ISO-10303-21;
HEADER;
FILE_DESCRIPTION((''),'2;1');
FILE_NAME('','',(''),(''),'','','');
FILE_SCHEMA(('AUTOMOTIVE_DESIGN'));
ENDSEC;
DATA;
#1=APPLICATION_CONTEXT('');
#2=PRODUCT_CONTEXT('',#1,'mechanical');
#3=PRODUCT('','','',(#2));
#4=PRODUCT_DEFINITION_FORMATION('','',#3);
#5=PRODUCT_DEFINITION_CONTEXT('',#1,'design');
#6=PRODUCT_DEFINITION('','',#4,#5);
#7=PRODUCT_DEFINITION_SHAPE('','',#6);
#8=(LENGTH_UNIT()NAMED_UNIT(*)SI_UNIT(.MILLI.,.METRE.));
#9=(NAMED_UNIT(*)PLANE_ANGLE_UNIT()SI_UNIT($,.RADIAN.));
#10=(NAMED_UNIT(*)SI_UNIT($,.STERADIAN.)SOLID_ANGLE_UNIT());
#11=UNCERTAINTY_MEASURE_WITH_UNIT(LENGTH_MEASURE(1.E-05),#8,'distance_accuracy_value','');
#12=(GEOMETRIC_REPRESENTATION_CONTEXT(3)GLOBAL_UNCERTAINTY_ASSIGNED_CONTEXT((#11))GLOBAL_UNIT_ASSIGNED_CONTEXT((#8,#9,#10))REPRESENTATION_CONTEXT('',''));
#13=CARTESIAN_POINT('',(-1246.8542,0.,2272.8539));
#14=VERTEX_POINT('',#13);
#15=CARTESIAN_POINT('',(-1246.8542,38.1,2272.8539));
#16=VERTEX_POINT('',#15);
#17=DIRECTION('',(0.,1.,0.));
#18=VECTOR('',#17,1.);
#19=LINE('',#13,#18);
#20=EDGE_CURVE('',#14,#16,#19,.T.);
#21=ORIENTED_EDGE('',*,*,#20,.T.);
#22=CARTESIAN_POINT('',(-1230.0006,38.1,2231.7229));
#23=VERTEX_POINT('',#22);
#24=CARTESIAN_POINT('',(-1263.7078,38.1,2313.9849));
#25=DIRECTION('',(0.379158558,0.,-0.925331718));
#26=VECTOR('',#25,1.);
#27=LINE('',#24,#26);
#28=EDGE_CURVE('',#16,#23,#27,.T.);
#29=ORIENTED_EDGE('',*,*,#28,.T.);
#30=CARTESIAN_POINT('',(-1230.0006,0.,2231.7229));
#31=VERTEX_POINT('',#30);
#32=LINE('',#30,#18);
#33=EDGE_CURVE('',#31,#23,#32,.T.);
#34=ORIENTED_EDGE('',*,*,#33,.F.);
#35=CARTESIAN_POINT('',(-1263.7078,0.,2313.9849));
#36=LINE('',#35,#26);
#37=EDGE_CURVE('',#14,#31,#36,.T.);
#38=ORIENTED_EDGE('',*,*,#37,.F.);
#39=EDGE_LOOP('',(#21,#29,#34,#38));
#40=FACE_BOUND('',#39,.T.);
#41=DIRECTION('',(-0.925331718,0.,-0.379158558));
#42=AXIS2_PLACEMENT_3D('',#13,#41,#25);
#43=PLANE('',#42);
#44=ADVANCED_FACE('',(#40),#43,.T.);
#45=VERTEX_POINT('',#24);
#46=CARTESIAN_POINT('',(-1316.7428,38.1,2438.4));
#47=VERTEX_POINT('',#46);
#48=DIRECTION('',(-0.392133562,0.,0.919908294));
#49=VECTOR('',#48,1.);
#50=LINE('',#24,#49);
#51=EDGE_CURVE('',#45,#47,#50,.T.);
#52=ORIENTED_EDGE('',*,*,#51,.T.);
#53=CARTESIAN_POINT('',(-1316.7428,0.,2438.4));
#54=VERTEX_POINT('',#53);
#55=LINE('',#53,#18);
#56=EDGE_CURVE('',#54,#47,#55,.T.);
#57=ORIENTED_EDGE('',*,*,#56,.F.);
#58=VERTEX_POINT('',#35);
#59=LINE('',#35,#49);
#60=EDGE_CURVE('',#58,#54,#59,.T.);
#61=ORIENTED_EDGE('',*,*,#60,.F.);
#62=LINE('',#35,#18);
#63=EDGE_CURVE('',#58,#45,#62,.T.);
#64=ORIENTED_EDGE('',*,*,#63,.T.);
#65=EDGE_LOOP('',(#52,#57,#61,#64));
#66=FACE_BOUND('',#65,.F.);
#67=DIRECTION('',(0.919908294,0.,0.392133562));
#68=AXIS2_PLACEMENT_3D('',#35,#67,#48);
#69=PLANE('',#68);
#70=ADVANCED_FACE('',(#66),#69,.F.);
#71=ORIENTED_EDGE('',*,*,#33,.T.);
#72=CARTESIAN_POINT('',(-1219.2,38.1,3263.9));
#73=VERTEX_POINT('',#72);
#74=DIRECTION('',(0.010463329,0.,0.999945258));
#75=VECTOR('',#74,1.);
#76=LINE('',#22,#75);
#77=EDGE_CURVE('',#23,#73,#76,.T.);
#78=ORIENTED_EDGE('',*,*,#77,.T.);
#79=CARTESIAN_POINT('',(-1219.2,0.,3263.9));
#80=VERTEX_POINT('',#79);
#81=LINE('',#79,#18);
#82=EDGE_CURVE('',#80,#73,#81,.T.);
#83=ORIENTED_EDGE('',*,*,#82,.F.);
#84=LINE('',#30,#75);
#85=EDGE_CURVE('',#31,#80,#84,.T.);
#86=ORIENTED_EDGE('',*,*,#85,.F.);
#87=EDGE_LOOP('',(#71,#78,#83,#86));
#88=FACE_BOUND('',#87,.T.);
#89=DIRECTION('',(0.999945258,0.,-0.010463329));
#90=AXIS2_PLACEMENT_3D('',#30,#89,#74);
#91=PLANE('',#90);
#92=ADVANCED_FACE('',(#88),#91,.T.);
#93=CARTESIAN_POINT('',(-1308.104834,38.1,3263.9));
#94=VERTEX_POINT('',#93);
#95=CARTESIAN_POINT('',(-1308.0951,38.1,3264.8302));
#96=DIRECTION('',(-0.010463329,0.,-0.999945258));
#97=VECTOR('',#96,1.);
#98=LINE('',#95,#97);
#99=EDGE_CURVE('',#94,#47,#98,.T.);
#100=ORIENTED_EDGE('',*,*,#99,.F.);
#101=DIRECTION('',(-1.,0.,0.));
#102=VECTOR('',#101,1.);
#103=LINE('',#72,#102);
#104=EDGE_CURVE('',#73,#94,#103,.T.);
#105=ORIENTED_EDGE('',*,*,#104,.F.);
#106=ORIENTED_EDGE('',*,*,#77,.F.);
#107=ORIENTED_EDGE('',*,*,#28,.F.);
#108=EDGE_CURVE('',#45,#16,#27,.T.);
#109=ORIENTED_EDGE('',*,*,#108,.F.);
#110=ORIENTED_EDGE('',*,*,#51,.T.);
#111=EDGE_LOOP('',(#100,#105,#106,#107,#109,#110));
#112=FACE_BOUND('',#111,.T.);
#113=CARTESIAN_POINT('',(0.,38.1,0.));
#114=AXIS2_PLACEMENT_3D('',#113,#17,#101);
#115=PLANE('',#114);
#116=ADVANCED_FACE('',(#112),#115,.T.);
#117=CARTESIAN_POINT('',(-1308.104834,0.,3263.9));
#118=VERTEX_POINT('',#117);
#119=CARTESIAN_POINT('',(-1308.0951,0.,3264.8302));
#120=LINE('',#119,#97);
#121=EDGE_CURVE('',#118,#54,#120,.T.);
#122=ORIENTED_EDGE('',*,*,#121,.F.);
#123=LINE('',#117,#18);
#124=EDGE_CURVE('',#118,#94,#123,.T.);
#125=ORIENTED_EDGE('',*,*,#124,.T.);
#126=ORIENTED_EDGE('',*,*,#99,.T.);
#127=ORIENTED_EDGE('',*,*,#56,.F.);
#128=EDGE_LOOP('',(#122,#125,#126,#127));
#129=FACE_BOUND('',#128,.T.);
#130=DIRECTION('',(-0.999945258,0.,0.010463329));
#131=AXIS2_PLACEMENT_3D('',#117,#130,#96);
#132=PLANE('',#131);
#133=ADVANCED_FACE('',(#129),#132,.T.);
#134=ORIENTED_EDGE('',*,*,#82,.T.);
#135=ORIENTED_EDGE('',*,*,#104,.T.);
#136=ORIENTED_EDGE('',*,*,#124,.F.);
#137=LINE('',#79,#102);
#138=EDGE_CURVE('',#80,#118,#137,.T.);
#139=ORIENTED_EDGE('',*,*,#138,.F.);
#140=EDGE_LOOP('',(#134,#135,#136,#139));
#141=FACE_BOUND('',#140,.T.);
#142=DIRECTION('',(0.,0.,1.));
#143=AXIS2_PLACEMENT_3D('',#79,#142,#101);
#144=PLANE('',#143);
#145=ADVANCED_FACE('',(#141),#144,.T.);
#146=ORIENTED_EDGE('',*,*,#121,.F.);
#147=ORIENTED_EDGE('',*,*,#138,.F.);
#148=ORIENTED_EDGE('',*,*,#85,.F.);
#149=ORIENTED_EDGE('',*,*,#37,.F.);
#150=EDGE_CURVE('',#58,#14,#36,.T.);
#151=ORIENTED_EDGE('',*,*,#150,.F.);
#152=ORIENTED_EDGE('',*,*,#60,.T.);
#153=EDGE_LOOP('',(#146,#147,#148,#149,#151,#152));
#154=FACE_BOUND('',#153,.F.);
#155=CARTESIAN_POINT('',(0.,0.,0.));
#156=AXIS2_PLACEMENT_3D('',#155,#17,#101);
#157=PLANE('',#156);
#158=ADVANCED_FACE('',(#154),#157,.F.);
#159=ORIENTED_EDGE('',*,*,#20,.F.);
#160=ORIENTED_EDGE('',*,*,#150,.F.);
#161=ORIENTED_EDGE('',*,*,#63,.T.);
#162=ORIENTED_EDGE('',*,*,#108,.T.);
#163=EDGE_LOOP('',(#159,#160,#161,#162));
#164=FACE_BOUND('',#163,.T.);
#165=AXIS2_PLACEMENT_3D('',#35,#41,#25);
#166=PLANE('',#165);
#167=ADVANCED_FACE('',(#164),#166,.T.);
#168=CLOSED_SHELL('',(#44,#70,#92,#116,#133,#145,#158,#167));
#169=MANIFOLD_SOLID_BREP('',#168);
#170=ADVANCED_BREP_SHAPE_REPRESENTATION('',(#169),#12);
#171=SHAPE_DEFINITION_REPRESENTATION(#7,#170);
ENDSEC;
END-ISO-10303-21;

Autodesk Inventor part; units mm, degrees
ref_plane "YZ Plane" through (0, 0, 0) normal (1, 0, 0) x (0, 1, 0)
ref_plane "XZ Plane" through (0, 0, 0) normal (0, 1, 0) x (-1, 0, 0)
ref_plane "XY Plane" through (0, 0, 0) normal (0, 0, 1) x (1, 0, 0)
sketch "Sketch1" plane through (0, 0, 0) normal (0, 1, 0) x (-1, 0, 0)
  line L0 (0, 0) -> (0, -1219.2)
  line L1 (0, 0) -> (88.9, 0)
  line L2 (88.9, 0) -> (88.9, -1219.2)
  line L3 (88.9, -1219.2) -> (0, -1219.2)
  line L4 (0, 0) -> (0, 1219.2) construction
  line L5 (0, 1219.2) -> (1219.2, 1219.2) construction
  line L6 (0, 1219.2) -> (0, 3657.6) construction
  line L7 (0, 3657.6) -> (0, 4876.8) construction
  line L8 (0, 4876.8) -> (0, 6096) construction
  line L9 (0, -1219.2) -> (2438.4, -1219.2) construction
  line L10 (0, 6096) -> (2438.4, 6096) construction
  line L11 (2438.4, 6096) -> (2438.4, -1219.2) construction
  line L12 (0, 3657.6) -> (0, 3352.8) construction
  line L13 (0, 3352.8) -> (2438.4, 3352.8) construction
  line L14 (2438.4, 3352.8) -> (1219.2, 3352.8)
  line L15 (1219.2, 3352.8) -> (1219.2, 3263.9)
  line L16 (1219.2, 3263.9) -> (2438.4, 3263.9)
  line L17 (2438.4, 3263.9) -> (2438.4, 3352.8)
  line L18 (0, 6096) -> (862.1046, 6958.1046)
  line L19 (862.1046, 6958.1046) -> (924.9664, 6895.2428)
  line L20 (924.9664, 6895.2428) -> (62.8618, 6033.1382)
  line L21 (62.8618, 6033.1382) -> (0, 6096)
  line L22 (0, 4876.8) -> (1219.2, 4876.8) construction
  line L23 (1219.2, 4876.8) -> (2081.3046, 5738.9046)
  line L24 (1219.2, 1219.2) -> (2081.3046, 357.0954)
  line L25 (2081.3046, 357.0954) -> (2018.4428, 294.2336)
  line L26 (2018.4428, 294.2336) -> (1156.3382, 1156.3382)
  line L27 (1156.3382, 1156.3382) -> (1219.2, 1219.2)
  line L28 (2018.4428, 294.2336) -> (88.9, -1219.2)
  line L29 (2081.3046, 357.0954) -> (2144.1664, 419.9572)
  line L30 (2144.1664, 419.9572) -> (1282.0618, 1282.0618)
  line L31 (1282.0618, 1282.0618) -> (1219.2, 1219.2)
  line L32 (2438.4, 3352.8) -> (2438.4, 3441.7)
  line L33 (2438.4, 3441.7) -> (1219.2, 3441.7)
  line L34 (1219.2, 3441.7) -> (1219.2, 3352.8)
  line L35 (1156.3382, 4939.6618) -> (1282.0618, 4813.9382)
  line L36 (2018.4428, 5801.7664) -> (2144.1664, 5676.0428)
  line L37 (1282.0618, 4813.9382) -> (2144.1664, 5676.0428)
  line L38 (2018.4428, 5801.7664) -> (1156.3382, 4939.6618)
  line L39 (2018.4428, 5801.7664) -> (924.9664, 6895.2428)
  line L40 (62.8618, 6033.1382) -> (1156.3382, 4939.6618)
  line L41 (1233.6206, 4168.8855) -> (1267.6412, 4086.7527)
  line L42 (1263.7078, 2313.9849) -> (1230.0006, 2231.7229)
  arc A0 (862.1046, 6958.1046) -> (0, 6096) centre (431.0523, 6527.0523) ccw
  line L43 (1246.8542, 2272.8539) -> (2375.0183, 1810.583)
  line L44 (2391.8719, 1851.7139) -> (2358.1646, 1769.452)
  line L45 (2391.8719, 1851.7139) -> (1263.7078, 2313.9849)
  line L46 (1230.0006, 2231.7229) -> (2358.1646, 1769.452)
  line L47 (1230.0006, 2231.7229) -> (1219.2, 3263.9)
  line L48 (2144.1664, 419.9572) -> (2391.8719, 1851.7139)
  line L49 (2391.8719, 1851.7139) -> (2438.4, 3263.9)
  line L50 (1219.2, 3441.7) -> (1233.6206, 4168.8855)
  line L51 (1250.6309, 4127.8191) -> (2377.0248, 4594.3867)
  line L52 (2360.0145, 4635.4532) -> (2394.0351, 4553.3203)
  line L53 (2394.0351, 4553.3203) -> (1267.6412, 4086.7527)
  line L54 (2360.0145, 4635.4532) -> (1233.6206, 4168.8855)
  line L55 (2394.0351, 4553.3203) -> (2144.1664, 5676.0428)
  line L56 (2438.4, 3441.7) -> (2394.0351, 4553.3203)
  line L57 (2144.1664, 5676.0428) -> (2057.3895, 5656.7301)
  line L58 (2394.0351, 4553.3203) -> (2305.2058, 4549.7751)
  line L59 (2394.0351, 4553.3203) -> (2307.2582, 4534.0076)
  line L60 (2307.2582, 4534.0076) -> (2057.3895, 5656.7301)
  line L61 (2438.4, 3441.7) -> (2349.5707, 3438.1548)
  line L62 (2349.5707, 3438.1548) -> (2305.2058, 4549.7751)
  line L63 (1219.2, 3441.7) -> (1308.0825, 3439.9374)
  line L64 (1233.6206, 4168.8855) -> (1322.5031, 4167.1229)
  line L65 (1322.5031, 4167.1229) -> (1308.0825, 3439.9374)
  line L66 (2018.4428, 5801.7664) -> (1955.581, 5738.9046)
  line L67 (1955.581, 5738.9046) -> (862.1046, 6832.381)
  line L68 (924.9664, 6895.2428) -> (862.1046, 6832.381)
  line L69 (62.8618, 6033.1382) -> (125.7236, 6096)
  line L70 (62.8618, 6033.1382) -> (125.7236, 6096)
  line L71 (125.7236, 6096) -> (1219.2, 5002.5236)
  line L72 (1156.3382, 1156.3382) -> (0, 0)
  line L73 (0, 0) -> (62.8618, -62.8618)
  line L74 (1156.3382, 1156.3382) -> (1219.2, 1093.4764)
  line L75 (1219.2, 1093.4764) -> (62.8618, -62.8618)
  line L76 (2018.4428, 294.2336) -> (1963.5776, 364.1837)
  line L77 (88.9, -1219.2) -> (34.0348, -1149.2499)
  line L78 (34.0348, -1149.2499) -> (1963.5776, 364.1837)
  line L79 (2144.1664, 419.9572) -> (2056.5677, 435.1125)
  line L80 (2391.8719, 1851.7139) -> (2304.2732, 1866.8692)
  line L81 (2391.8719, 1851.7139) -> (2303.0201, 1854.6414)
  line L82 (2304.2732, 1866.8692) -> (2056.5677, 435.1125)
  line L83 (1230.0006, 2231.7229) -> (1318.8957, 2232.6531)
  line L84 (1219.2, 3263.9) -> (1308.0951, 3264.8302)
  line L85 (1308.0951, 3264.8302) -> (1318.8957, 2232.6531)
  line L86 (2438.4, 3263.9) -> (2349.5482, 3266.8275)
  line L87 (2349.5482, 3266.8275) -> (2303.0201, 1854.6414)
  line L88 (88.9, 0) -> (125.7236, 0)
  line L89 (1233.6206, 4168.8855) -> (1219.2, 4876.8)
  line L90 (1233.6206, 4168.8855) -> (1322.5022, 4170.6961)
  line L91 (1219.2, 4876.8) -> (1308.0816, 4878.6106)
  line L92 (1308.0816, 4878.6106) -> (1322.5022, 4170.6961)
  line L93 (1282.0618, 4813.9382) -> (1309.9674, 4786.0326)
  line L94 (1267.6412, 4086.7527) -> (1318.4756, 3964.0275)
  line L95 (2360.0145, 4635.4532) -> (2374.4273, 4641.4231)
  line L96 (1230.0006, 2231.7229) -> (1219.2, 1219.2)
  line L97 (1230.0006, 2231.7229) -> (1318.8955, 2230.7747)
  line L98 (1219.2, 1219.2) -> (1308.0949, 1218.2518)
  line L99 (1308.0949, 1218.2518) -> (1318.8955, 2230.7747)
  line L100 (1282.0618, 1282.0618) -> (1309.0636, 1309.0636)
  line L101 (1263.7078, 2313.9849) -> (1316.7428, 2438.4)
  line L102 (2358.1646, 1769.452) -> (2376.5379, 1763.082)
  point P0 (1770.957, 2057.4547)
  point P1 (1955.1236, 357.5528)
  point P2 (88.9, -1106.2164)
  point P3 (2292.1025, 1796.5213)
  point P4 (2067.2525, 496.8711)
  point P5 (1318.5187, 2195.4522)
  point P6 (1308.1049, 3263.9)
  point P7 (2349.4518, 3263.9)
  point P8 (2304.1085, 1887.6754)
  dimension "d0" = 1219.2
  dimension "d2" = 1219.2
  dimension "d3" = 1219.2
  dimension "d16" = 2438.4
  dimension "d17" = 1219.2
  dimension "d18" = 1219.2
  dimension "d20" = 2438.4
  dimension "d21" = 304.8
  dimension "d22" = 1219.2
  dimension "d23" = 88.9
  dimension "d24" = 1219.2
  dimension "d25" = 45
  dimension "d26" = 88.9
  dimension "d27" = 1219.2
  dimension "d28" = 1219.2
  dimension "d29" = 1219.2
  dimension "d31" = 1219.2
  dimension "d32" = 88.9
  dimension "d33" = 88.9
  dimension "d34" = 88.9
  dimension "d35" = 177.8
  dimension "d36" = 177.8
  dimension "d38" = 88.9
  dimension "d39" = 88.9
  dimension "d43" = 1219.2
  dimension "d44" = 88.9
  dimension "d45" = 1219.2
  dimension "d46" = 88.9
  dimension "d47" = 88.9
  dimension "d48" = 88.9
  dimension "d49" = 88.9
  dimension "d50" = 88.9
  dimension "d51" = 88.9
  dimension "d54" = 88.9
  dimension "d55" = 88.9
  dimension "d57" = 88.9
  dimension "d58" = 88.9
  dimension "d59" = 88.9
  dimension "d60" = 88.9
  dimension "d61" = 88.9
  dimension "d64" = 88.9
  dimension "d65" = 88.9
  dimension "d66" = 88.9
  dimension "d69" = 88.9
  dimension "d70" = 88.9
  dimension "d71" = 88.9
  dimension "d72" = 88.9
extrude "Extrusion1" add sketch "Sketch1" along normal blind 38.1 contours L47 L16 L85 L101 L42
properties part number "S_2x4x40.639"
